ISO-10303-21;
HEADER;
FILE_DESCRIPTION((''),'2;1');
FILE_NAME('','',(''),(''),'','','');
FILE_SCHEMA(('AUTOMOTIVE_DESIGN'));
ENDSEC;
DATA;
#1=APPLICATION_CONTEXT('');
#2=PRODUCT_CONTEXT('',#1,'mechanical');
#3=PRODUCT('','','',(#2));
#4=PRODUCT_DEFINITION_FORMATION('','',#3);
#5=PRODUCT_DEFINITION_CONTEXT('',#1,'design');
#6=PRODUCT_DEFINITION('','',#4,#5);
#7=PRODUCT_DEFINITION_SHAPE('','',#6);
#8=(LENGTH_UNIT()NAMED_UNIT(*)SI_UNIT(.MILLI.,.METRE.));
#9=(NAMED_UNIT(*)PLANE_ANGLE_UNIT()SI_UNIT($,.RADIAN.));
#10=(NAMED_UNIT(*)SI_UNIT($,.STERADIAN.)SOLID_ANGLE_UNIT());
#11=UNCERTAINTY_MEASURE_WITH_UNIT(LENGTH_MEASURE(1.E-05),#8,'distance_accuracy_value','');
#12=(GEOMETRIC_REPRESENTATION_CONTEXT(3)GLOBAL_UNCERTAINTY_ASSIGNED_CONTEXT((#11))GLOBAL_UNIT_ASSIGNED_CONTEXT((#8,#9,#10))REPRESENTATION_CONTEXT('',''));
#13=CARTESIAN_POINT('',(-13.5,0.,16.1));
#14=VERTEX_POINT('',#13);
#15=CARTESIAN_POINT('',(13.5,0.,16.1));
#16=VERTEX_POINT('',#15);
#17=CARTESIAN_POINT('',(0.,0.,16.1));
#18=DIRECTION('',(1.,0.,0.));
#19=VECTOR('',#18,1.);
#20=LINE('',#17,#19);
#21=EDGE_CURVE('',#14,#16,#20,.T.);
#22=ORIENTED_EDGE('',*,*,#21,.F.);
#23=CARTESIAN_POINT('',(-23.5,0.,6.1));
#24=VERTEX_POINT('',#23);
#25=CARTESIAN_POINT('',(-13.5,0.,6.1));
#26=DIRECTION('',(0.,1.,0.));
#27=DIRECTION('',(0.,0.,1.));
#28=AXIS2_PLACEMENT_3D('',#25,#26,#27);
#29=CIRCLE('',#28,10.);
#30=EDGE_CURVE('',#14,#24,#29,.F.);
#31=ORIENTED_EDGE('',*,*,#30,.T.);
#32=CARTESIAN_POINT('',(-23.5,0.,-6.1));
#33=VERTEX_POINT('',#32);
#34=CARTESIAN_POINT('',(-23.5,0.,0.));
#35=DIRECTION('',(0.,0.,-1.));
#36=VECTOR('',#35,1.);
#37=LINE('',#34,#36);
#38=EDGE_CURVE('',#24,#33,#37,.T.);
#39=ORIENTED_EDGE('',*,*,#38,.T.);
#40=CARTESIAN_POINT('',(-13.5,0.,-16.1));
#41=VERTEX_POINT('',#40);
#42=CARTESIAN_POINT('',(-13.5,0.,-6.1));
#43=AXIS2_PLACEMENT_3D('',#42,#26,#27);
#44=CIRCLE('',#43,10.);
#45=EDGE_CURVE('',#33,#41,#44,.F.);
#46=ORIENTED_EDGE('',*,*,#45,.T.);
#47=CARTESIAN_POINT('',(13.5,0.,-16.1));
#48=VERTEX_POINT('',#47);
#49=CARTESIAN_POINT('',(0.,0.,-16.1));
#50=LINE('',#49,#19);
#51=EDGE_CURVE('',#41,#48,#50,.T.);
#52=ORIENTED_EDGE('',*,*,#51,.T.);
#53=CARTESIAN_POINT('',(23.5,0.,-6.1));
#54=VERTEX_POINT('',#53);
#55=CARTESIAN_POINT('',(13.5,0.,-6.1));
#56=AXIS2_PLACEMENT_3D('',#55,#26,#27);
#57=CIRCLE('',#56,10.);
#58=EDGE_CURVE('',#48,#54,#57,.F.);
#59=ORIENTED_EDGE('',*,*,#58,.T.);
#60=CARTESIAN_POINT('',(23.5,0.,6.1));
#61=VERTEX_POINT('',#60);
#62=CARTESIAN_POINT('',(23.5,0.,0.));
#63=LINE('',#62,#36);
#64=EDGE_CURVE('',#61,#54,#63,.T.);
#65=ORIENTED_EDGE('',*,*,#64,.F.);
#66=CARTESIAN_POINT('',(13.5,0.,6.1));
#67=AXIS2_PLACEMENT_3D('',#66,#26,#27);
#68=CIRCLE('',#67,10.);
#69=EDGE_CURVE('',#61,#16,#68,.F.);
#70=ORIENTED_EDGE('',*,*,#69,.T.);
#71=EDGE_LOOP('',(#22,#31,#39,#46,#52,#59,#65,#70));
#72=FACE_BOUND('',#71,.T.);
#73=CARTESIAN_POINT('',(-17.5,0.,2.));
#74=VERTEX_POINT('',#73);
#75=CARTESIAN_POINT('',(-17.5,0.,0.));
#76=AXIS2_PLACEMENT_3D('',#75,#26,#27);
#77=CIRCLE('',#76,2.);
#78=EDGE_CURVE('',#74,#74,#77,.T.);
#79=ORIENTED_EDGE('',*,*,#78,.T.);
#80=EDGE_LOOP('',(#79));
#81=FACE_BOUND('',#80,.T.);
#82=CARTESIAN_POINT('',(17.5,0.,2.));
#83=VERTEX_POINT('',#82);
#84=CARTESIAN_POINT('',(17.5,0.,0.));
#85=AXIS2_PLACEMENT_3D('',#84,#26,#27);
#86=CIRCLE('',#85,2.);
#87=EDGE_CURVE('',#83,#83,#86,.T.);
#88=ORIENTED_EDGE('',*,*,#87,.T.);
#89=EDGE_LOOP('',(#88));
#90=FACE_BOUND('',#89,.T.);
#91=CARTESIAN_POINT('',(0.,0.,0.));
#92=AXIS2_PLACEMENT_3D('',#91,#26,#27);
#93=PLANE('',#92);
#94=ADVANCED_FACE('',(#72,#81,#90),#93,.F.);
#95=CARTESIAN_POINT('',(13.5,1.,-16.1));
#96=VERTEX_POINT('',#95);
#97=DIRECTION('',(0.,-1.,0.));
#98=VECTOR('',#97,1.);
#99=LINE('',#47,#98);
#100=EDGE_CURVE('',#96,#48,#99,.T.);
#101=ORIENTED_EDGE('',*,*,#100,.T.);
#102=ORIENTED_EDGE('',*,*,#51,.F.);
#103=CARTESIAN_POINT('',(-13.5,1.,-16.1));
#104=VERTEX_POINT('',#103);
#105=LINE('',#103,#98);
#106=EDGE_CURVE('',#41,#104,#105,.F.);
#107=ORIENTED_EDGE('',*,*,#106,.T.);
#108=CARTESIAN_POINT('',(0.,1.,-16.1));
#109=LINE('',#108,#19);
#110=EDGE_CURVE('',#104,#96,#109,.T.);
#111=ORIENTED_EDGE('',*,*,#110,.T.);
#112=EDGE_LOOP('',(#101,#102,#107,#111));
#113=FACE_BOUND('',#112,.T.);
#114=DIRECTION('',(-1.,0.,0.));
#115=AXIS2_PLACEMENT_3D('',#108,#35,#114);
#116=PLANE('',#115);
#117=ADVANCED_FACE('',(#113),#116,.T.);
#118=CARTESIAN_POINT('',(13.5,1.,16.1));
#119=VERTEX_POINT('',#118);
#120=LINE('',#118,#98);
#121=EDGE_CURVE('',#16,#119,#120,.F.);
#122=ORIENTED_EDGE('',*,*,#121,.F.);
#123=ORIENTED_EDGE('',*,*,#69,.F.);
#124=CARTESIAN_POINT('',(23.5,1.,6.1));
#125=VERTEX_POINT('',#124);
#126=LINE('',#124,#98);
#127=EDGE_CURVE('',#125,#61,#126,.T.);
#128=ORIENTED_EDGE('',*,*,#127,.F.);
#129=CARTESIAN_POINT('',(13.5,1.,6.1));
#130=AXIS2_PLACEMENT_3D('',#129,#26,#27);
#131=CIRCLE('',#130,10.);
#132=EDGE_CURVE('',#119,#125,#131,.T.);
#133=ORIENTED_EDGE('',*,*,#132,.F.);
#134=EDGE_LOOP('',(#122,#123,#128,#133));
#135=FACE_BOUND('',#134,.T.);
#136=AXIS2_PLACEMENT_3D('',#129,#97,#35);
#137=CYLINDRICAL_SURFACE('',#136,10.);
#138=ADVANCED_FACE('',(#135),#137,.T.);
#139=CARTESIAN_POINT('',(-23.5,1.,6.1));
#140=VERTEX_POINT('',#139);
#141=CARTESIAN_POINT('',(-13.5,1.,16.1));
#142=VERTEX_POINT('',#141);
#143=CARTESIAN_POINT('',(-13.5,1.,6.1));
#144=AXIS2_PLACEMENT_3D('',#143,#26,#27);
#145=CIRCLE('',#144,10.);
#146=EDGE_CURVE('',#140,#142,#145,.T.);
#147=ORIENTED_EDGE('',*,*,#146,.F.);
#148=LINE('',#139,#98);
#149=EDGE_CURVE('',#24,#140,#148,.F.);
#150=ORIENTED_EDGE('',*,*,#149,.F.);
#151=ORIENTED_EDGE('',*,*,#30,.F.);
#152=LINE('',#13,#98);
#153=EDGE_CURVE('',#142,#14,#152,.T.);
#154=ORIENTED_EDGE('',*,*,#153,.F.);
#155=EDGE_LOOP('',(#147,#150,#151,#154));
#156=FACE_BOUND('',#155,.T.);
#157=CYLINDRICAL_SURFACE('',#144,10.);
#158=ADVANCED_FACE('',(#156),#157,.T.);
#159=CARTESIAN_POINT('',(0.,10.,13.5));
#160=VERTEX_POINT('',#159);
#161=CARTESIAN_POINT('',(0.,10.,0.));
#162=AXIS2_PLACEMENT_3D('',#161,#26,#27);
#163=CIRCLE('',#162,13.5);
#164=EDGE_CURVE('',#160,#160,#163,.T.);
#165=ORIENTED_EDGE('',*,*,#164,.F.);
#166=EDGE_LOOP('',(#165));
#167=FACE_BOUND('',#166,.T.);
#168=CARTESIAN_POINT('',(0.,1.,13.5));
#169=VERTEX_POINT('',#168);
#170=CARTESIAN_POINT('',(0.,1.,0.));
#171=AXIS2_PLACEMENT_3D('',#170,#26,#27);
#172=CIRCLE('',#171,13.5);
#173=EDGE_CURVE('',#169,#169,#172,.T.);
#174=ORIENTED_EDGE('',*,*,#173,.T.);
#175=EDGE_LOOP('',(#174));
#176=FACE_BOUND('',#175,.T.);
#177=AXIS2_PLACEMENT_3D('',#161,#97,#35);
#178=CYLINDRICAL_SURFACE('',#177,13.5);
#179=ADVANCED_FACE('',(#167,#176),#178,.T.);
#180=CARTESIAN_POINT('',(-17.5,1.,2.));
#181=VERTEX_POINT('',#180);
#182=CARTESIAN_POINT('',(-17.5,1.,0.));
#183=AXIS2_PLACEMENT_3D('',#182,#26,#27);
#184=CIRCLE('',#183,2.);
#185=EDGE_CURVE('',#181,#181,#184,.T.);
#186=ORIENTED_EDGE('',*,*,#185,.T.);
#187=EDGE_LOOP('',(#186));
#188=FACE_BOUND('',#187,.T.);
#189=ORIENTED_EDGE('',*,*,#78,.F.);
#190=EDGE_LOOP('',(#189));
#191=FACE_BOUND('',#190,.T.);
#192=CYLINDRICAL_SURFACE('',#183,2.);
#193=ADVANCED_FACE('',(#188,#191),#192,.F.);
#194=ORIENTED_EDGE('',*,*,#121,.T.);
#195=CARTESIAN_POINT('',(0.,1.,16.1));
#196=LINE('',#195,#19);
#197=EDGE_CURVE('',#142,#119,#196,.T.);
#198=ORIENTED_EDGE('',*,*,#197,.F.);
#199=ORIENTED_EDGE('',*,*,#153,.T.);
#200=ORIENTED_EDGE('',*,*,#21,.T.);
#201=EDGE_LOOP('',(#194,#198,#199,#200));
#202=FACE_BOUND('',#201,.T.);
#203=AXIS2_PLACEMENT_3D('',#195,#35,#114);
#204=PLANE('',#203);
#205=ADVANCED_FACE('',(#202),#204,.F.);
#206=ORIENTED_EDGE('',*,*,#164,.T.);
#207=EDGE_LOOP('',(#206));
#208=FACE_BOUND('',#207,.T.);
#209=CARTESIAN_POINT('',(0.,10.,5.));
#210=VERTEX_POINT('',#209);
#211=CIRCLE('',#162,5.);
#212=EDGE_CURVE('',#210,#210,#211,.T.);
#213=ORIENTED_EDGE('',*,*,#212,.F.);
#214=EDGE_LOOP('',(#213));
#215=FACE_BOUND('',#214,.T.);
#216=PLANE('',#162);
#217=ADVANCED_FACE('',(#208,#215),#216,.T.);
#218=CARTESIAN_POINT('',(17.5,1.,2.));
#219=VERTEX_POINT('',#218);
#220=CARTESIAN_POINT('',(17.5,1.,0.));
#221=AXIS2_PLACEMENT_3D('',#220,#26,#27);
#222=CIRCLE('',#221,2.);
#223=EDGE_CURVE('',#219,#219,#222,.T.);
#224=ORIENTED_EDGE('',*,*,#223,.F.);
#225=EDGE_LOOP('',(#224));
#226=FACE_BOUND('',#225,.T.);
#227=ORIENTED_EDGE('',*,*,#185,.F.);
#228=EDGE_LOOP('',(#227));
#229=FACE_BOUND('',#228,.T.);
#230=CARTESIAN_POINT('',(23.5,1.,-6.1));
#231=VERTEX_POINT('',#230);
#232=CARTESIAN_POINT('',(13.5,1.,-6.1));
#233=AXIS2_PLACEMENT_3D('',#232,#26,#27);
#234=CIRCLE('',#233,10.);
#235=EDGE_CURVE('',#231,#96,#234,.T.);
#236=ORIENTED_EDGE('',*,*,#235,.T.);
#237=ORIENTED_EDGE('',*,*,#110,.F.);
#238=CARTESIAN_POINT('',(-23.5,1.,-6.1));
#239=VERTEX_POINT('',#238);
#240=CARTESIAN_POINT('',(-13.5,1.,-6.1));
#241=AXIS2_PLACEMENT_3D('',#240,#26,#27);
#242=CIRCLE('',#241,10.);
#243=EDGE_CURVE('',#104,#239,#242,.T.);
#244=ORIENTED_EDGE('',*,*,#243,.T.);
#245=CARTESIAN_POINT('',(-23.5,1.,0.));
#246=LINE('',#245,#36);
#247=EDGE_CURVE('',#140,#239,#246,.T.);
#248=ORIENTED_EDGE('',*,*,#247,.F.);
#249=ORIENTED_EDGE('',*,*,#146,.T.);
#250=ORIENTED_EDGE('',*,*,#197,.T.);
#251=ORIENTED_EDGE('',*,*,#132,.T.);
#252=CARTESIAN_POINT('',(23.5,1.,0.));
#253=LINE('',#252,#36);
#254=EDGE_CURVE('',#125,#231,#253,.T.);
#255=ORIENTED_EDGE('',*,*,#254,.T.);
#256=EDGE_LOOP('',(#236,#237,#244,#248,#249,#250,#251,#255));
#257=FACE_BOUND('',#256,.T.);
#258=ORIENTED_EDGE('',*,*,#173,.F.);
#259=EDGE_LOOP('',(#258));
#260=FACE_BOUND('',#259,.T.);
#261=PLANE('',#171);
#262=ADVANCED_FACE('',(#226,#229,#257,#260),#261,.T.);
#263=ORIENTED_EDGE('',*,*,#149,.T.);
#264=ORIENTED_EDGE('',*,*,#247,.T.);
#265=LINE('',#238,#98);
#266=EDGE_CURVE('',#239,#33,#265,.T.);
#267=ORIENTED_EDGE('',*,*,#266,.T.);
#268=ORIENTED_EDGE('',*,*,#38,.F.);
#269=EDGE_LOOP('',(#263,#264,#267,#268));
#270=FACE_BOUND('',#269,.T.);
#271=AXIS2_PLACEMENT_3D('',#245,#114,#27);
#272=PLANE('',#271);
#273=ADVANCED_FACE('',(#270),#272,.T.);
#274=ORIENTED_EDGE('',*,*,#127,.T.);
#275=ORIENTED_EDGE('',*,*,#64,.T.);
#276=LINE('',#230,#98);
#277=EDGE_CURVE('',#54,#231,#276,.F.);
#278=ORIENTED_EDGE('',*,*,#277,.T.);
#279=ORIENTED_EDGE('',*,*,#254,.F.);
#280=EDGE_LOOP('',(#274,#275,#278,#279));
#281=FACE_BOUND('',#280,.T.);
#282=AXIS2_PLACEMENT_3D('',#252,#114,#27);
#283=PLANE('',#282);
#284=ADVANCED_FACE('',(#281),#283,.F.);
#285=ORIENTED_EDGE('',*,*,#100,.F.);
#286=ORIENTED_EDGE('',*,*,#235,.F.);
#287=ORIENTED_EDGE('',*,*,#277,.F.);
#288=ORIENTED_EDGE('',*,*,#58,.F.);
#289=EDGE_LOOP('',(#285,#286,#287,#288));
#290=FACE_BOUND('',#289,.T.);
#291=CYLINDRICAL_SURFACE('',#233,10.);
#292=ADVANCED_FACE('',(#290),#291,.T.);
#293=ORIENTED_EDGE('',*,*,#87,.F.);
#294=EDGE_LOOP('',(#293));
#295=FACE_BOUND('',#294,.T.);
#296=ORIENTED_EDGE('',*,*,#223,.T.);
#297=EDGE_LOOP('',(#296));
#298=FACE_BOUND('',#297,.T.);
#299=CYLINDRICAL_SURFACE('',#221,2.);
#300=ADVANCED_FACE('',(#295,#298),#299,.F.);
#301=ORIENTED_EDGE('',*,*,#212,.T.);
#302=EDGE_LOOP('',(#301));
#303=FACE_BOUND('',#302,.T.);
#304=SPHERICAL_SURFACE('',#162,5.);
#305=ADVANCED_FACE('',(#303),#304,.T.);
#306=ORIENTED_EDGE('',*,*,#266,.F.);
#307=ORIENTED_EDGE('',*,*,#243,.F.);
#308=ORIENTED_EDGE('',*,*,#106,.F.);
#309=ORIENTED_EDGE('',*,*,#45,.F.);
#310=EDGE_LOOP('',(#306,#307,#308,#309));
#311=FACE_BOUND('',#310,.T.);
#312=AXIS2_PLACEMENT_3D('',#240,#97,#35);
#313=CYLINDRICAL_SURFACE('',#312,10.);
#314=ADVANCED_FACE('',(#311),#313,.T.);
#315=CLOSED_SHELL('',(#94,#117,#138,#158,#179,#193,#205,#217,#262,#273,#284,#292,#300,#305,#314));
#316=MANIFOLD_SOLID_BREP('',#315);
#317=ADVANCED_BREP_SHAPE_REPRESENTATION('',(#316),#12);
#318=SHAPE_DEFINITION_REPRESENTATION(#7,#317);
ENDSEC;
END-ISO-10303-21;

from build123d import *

# Parameters (mm, degrees)
SKETCH_1_R      = 16.1
EXTRUDE_1_DEPTH = 1
SKETCH_2_R      = 13.5
EXTRUDE_2_DEPTH = 9
HOLE_WIZARD_1_D = 4
FILLET_1_R      = 10


with BuildPart() as part:
    # 草图1 → 凸台-拉伸1 (new body)
    with BuildSketch(Plane(origin=(0, 0, 0), x_dir=(1, 0, 0), z_dir=(0, 1, 0))):
        with BuildLine():
            Line((-23.5, 16.1), (-23.5, -16.1))
            Line((-23.5, -16.1), (0, -16.1))
            ThreePointArc((0, -16.1), (-16.1, 0), (0, 16.1))
            Line((0, 16.1), (-23.5, 16.1))
        make_face()
        Circle(SKETCH_1_R)
        with BuildLine():
            ThreePointArc((16.1, 0), (11.384419177, -11.384419177), (0, -16.1))
            Line((0, -16.1), (23.5, -16.1))
            Line((23.5, -16.1), (23.5, 16.1))
            Line((23.5, 16.1), (0, 16.1))
            ThreePointArc((0, 16.1), (11.384419177, 11.384419177), (16.1, 0))
        make_face()
    extrude(amount=EXTRUDE_1_DEPTH)

    # 草图2 → 凸台-拉伸2 (add)
    with BuildSketch(Plane(origin=(0, 1, 0), x_dir=(1, 0, 0), z_dir=(0, 1, 0))):
        with Locations(Location((0, 0, 0), (0, 0, 270))):
            Circle(SKETCH_2_R)
    extrude(amount=EXTRUDE_2_DEPTH)

    # 草图3 → 旋转1 (revolve)
    with BuildSketch(Plane.ZY):
        with BuildLine():
            Line((0, 15), (0, 10))
            Line((0, 10), (5, 10))
            ThreePointArc((5, 10), (3.535533906, 13.535533906), (0, 15))
        make_face()
    revolve(axis=Axis((0, 15, 0), (0, -1, 0)))

    # 孔1 (through all)
    with Locations(Plane(origin=(0, 1, 0), x_dir=(1, 0, 0), z_dir=(0, 1, 0))):
        with Locations((-17.5, 0), (17.5, 0)):
            Hole(HOLE_WIZARD_1_D / 2)

    # 圆角1
    fillet_1_edges = [part.edges().sort_by_distance(p)[0] for p in [
        (-23.5, 0.5, 16.1),
        (-23.5, 0.5, -16.1),
        (23.5, 0.5, -16.1),
        (23.5, 0.5, 16.1),
    ]]
    fillet(fillet_1_edges, radius=FILLET_1_R)


solid = part.part
